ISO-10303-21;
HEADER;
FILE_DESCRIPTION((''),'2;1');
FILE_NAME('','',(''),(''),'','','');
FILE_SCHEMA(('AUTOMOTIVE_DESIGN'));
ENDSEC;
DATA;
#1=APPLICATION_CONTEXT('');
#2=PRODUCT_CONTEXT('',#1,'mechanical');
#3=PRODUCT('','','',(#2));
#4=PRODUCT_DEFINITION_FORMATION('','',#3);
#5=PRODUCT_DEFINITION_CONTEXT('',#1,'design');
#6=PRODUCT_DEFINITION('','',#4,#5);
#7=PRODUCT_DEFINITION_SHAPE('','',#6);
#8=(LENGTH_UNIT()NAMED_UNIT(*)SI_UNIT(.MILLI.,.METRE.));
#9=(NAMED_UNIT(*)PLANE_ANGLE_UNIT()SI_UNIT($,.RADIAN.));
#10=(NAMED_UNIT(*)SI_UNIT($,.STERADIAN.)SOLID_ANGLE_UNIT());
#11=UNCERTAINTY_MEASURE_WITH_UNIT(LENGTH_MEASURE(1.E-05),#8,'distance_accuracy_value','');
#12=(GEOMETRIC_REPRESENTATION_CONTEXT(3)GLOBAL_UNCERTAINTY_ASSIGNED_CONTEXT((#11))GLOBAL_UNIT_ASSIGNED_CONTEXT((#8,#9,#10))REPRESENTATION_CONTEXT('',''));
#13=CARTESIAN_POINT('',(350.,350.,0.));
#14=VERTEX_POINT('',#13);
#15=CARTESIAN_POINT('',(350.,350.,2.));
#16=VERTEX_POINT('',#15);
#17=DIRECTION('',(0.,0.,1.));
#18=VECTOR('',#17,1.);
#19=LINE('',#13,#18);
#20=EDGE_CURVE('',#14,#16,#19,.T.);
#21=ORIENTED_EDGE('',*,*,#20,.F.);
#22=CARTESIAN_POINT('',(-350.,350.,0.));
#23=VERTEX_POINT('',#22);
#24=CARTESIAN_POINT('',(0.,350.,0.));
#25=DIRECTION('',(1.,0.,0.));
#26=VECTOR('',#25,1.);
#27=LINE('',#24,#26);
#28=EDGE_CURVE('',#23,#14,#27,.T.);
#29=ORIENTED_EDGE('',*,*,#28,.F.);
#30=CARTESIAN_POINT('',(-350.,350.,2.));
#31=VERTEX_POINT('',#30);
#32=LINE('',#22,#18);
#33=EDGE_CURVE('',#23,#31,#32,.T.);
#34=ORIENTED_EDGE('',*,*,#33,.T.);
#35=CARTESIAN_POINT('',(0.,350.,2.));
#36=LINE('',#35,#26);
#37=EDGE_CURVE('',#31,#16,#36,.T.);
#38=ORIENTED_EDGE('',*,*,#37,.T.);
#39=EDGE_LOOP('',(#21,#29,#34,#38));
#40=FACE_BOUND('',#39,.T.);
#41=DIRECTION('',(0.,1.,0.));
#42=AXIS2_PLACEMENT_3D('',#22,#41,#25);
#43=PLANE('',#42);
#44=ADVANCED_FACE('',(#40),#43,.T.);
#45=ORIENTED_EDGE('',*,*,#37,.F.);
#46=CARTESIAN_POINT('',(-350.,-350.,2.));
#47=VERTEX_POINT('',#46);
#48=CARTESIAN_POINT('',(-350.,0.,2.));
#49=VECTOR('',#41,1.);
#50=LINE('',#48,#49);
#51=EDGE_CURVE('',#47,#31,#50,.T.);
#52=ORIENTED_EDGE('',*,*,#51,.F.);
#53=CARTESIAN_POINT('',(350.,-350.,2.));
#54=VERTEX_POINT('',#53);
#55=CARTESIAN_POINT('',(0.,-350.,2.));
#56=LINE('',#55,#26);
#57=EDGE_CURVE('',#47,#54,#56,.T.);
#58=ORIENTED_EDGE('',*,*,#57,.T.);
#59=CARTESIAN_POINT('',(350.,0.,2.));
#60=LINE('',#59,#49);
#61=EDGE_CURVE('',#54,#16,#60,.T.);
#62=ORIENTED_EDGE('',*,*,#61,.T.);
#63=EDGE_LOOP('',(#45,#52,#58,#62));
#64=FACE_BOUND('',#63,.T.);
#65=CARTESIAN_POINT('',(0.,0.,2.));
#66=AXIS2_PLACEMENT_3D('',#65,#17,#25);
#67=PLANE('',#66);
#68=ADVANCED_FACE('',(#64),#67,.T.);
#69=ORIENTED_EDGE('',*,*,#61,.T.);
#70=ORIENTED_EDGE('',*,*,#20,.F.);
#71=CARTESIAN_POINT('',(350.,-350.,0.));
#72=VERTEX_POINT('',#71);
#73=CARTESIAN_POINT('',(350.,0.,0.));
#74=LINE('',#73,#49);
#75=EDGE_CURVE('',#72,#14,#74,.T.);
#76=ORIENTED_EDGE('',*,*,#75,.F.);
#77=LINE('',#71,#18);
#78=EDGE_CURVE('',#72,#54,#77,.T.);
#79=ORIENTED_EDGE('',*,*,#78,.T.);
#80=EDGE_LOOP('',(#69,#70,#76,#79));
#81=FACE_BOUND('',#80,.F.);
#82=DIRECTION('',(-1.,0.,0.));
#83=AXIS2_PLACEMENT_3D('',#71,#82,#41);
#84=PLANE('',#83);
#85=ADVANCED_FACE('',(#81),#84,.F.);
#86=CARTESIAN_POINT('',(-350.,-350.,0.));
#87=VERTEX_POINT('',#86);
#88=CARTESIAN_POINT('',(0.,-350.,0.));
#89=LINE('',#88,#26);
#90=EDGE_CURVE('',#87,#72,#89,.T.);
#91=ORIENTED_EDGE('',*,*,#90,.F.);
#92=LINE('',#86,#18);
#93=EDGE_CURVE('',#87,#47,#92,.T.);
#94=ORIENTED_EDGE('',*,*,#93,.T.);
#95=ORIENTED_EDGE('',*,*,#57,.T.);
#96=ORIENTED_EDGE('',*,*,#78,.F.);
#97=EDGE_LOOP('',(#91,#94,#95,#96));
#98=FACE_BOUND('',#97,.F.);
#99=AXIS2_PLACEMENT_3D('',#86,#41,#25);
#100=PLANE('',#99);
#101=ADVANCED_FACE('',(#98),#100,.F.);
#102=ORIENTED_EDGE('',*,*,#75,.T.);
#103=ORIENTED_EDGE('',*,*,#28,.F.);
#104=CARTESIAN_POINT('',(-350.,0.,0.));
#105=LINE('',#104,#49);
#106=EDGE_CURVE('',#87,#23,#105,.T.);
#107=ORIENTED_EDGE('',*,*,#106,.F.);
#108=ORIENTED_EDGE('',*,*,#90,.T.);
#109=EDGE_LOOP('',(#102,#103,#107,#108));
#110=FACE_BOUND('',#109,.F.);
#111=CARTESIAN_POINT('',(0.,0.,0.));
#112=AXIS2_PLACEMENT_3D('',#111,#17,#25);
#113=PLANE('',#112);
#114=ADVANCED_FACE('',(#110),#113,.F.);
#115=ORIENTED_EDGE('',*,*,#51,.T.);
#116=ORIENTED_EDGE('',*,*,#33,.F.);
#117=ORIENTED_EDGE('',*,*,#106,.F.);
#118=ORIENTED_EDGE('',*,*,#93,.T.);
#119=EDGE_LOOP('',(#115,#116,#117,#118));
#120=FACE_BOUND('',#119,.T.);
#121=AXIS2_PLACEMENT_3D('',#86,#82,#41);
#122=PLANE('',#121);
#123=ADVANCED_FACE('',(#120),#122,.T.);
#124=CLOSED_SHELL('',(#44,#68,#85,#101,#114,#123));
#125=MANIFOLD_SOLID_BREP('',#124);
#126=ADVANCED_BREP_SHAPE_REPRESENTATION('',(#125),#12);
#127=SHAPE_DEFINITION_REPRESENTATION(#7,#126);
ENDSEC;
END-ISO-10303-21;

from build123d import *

# Parameters (mm, degrees)
ESQUISSE1_W        = 700
ESQUISSE1_H        = 700
BOSS_EXTRU_1_DEPTH = 2


with BuildPart() as part:
    # Esquisse1 → Boss.-Extru.1 (new body)
    with BuildSketch(Plane.XY):
        Rectangle(ESQUISSE1_W, ESQUISSE1_H)
    extrude(amount=BOSS_EXTRU_1_DEPTH)


solid = part.part
